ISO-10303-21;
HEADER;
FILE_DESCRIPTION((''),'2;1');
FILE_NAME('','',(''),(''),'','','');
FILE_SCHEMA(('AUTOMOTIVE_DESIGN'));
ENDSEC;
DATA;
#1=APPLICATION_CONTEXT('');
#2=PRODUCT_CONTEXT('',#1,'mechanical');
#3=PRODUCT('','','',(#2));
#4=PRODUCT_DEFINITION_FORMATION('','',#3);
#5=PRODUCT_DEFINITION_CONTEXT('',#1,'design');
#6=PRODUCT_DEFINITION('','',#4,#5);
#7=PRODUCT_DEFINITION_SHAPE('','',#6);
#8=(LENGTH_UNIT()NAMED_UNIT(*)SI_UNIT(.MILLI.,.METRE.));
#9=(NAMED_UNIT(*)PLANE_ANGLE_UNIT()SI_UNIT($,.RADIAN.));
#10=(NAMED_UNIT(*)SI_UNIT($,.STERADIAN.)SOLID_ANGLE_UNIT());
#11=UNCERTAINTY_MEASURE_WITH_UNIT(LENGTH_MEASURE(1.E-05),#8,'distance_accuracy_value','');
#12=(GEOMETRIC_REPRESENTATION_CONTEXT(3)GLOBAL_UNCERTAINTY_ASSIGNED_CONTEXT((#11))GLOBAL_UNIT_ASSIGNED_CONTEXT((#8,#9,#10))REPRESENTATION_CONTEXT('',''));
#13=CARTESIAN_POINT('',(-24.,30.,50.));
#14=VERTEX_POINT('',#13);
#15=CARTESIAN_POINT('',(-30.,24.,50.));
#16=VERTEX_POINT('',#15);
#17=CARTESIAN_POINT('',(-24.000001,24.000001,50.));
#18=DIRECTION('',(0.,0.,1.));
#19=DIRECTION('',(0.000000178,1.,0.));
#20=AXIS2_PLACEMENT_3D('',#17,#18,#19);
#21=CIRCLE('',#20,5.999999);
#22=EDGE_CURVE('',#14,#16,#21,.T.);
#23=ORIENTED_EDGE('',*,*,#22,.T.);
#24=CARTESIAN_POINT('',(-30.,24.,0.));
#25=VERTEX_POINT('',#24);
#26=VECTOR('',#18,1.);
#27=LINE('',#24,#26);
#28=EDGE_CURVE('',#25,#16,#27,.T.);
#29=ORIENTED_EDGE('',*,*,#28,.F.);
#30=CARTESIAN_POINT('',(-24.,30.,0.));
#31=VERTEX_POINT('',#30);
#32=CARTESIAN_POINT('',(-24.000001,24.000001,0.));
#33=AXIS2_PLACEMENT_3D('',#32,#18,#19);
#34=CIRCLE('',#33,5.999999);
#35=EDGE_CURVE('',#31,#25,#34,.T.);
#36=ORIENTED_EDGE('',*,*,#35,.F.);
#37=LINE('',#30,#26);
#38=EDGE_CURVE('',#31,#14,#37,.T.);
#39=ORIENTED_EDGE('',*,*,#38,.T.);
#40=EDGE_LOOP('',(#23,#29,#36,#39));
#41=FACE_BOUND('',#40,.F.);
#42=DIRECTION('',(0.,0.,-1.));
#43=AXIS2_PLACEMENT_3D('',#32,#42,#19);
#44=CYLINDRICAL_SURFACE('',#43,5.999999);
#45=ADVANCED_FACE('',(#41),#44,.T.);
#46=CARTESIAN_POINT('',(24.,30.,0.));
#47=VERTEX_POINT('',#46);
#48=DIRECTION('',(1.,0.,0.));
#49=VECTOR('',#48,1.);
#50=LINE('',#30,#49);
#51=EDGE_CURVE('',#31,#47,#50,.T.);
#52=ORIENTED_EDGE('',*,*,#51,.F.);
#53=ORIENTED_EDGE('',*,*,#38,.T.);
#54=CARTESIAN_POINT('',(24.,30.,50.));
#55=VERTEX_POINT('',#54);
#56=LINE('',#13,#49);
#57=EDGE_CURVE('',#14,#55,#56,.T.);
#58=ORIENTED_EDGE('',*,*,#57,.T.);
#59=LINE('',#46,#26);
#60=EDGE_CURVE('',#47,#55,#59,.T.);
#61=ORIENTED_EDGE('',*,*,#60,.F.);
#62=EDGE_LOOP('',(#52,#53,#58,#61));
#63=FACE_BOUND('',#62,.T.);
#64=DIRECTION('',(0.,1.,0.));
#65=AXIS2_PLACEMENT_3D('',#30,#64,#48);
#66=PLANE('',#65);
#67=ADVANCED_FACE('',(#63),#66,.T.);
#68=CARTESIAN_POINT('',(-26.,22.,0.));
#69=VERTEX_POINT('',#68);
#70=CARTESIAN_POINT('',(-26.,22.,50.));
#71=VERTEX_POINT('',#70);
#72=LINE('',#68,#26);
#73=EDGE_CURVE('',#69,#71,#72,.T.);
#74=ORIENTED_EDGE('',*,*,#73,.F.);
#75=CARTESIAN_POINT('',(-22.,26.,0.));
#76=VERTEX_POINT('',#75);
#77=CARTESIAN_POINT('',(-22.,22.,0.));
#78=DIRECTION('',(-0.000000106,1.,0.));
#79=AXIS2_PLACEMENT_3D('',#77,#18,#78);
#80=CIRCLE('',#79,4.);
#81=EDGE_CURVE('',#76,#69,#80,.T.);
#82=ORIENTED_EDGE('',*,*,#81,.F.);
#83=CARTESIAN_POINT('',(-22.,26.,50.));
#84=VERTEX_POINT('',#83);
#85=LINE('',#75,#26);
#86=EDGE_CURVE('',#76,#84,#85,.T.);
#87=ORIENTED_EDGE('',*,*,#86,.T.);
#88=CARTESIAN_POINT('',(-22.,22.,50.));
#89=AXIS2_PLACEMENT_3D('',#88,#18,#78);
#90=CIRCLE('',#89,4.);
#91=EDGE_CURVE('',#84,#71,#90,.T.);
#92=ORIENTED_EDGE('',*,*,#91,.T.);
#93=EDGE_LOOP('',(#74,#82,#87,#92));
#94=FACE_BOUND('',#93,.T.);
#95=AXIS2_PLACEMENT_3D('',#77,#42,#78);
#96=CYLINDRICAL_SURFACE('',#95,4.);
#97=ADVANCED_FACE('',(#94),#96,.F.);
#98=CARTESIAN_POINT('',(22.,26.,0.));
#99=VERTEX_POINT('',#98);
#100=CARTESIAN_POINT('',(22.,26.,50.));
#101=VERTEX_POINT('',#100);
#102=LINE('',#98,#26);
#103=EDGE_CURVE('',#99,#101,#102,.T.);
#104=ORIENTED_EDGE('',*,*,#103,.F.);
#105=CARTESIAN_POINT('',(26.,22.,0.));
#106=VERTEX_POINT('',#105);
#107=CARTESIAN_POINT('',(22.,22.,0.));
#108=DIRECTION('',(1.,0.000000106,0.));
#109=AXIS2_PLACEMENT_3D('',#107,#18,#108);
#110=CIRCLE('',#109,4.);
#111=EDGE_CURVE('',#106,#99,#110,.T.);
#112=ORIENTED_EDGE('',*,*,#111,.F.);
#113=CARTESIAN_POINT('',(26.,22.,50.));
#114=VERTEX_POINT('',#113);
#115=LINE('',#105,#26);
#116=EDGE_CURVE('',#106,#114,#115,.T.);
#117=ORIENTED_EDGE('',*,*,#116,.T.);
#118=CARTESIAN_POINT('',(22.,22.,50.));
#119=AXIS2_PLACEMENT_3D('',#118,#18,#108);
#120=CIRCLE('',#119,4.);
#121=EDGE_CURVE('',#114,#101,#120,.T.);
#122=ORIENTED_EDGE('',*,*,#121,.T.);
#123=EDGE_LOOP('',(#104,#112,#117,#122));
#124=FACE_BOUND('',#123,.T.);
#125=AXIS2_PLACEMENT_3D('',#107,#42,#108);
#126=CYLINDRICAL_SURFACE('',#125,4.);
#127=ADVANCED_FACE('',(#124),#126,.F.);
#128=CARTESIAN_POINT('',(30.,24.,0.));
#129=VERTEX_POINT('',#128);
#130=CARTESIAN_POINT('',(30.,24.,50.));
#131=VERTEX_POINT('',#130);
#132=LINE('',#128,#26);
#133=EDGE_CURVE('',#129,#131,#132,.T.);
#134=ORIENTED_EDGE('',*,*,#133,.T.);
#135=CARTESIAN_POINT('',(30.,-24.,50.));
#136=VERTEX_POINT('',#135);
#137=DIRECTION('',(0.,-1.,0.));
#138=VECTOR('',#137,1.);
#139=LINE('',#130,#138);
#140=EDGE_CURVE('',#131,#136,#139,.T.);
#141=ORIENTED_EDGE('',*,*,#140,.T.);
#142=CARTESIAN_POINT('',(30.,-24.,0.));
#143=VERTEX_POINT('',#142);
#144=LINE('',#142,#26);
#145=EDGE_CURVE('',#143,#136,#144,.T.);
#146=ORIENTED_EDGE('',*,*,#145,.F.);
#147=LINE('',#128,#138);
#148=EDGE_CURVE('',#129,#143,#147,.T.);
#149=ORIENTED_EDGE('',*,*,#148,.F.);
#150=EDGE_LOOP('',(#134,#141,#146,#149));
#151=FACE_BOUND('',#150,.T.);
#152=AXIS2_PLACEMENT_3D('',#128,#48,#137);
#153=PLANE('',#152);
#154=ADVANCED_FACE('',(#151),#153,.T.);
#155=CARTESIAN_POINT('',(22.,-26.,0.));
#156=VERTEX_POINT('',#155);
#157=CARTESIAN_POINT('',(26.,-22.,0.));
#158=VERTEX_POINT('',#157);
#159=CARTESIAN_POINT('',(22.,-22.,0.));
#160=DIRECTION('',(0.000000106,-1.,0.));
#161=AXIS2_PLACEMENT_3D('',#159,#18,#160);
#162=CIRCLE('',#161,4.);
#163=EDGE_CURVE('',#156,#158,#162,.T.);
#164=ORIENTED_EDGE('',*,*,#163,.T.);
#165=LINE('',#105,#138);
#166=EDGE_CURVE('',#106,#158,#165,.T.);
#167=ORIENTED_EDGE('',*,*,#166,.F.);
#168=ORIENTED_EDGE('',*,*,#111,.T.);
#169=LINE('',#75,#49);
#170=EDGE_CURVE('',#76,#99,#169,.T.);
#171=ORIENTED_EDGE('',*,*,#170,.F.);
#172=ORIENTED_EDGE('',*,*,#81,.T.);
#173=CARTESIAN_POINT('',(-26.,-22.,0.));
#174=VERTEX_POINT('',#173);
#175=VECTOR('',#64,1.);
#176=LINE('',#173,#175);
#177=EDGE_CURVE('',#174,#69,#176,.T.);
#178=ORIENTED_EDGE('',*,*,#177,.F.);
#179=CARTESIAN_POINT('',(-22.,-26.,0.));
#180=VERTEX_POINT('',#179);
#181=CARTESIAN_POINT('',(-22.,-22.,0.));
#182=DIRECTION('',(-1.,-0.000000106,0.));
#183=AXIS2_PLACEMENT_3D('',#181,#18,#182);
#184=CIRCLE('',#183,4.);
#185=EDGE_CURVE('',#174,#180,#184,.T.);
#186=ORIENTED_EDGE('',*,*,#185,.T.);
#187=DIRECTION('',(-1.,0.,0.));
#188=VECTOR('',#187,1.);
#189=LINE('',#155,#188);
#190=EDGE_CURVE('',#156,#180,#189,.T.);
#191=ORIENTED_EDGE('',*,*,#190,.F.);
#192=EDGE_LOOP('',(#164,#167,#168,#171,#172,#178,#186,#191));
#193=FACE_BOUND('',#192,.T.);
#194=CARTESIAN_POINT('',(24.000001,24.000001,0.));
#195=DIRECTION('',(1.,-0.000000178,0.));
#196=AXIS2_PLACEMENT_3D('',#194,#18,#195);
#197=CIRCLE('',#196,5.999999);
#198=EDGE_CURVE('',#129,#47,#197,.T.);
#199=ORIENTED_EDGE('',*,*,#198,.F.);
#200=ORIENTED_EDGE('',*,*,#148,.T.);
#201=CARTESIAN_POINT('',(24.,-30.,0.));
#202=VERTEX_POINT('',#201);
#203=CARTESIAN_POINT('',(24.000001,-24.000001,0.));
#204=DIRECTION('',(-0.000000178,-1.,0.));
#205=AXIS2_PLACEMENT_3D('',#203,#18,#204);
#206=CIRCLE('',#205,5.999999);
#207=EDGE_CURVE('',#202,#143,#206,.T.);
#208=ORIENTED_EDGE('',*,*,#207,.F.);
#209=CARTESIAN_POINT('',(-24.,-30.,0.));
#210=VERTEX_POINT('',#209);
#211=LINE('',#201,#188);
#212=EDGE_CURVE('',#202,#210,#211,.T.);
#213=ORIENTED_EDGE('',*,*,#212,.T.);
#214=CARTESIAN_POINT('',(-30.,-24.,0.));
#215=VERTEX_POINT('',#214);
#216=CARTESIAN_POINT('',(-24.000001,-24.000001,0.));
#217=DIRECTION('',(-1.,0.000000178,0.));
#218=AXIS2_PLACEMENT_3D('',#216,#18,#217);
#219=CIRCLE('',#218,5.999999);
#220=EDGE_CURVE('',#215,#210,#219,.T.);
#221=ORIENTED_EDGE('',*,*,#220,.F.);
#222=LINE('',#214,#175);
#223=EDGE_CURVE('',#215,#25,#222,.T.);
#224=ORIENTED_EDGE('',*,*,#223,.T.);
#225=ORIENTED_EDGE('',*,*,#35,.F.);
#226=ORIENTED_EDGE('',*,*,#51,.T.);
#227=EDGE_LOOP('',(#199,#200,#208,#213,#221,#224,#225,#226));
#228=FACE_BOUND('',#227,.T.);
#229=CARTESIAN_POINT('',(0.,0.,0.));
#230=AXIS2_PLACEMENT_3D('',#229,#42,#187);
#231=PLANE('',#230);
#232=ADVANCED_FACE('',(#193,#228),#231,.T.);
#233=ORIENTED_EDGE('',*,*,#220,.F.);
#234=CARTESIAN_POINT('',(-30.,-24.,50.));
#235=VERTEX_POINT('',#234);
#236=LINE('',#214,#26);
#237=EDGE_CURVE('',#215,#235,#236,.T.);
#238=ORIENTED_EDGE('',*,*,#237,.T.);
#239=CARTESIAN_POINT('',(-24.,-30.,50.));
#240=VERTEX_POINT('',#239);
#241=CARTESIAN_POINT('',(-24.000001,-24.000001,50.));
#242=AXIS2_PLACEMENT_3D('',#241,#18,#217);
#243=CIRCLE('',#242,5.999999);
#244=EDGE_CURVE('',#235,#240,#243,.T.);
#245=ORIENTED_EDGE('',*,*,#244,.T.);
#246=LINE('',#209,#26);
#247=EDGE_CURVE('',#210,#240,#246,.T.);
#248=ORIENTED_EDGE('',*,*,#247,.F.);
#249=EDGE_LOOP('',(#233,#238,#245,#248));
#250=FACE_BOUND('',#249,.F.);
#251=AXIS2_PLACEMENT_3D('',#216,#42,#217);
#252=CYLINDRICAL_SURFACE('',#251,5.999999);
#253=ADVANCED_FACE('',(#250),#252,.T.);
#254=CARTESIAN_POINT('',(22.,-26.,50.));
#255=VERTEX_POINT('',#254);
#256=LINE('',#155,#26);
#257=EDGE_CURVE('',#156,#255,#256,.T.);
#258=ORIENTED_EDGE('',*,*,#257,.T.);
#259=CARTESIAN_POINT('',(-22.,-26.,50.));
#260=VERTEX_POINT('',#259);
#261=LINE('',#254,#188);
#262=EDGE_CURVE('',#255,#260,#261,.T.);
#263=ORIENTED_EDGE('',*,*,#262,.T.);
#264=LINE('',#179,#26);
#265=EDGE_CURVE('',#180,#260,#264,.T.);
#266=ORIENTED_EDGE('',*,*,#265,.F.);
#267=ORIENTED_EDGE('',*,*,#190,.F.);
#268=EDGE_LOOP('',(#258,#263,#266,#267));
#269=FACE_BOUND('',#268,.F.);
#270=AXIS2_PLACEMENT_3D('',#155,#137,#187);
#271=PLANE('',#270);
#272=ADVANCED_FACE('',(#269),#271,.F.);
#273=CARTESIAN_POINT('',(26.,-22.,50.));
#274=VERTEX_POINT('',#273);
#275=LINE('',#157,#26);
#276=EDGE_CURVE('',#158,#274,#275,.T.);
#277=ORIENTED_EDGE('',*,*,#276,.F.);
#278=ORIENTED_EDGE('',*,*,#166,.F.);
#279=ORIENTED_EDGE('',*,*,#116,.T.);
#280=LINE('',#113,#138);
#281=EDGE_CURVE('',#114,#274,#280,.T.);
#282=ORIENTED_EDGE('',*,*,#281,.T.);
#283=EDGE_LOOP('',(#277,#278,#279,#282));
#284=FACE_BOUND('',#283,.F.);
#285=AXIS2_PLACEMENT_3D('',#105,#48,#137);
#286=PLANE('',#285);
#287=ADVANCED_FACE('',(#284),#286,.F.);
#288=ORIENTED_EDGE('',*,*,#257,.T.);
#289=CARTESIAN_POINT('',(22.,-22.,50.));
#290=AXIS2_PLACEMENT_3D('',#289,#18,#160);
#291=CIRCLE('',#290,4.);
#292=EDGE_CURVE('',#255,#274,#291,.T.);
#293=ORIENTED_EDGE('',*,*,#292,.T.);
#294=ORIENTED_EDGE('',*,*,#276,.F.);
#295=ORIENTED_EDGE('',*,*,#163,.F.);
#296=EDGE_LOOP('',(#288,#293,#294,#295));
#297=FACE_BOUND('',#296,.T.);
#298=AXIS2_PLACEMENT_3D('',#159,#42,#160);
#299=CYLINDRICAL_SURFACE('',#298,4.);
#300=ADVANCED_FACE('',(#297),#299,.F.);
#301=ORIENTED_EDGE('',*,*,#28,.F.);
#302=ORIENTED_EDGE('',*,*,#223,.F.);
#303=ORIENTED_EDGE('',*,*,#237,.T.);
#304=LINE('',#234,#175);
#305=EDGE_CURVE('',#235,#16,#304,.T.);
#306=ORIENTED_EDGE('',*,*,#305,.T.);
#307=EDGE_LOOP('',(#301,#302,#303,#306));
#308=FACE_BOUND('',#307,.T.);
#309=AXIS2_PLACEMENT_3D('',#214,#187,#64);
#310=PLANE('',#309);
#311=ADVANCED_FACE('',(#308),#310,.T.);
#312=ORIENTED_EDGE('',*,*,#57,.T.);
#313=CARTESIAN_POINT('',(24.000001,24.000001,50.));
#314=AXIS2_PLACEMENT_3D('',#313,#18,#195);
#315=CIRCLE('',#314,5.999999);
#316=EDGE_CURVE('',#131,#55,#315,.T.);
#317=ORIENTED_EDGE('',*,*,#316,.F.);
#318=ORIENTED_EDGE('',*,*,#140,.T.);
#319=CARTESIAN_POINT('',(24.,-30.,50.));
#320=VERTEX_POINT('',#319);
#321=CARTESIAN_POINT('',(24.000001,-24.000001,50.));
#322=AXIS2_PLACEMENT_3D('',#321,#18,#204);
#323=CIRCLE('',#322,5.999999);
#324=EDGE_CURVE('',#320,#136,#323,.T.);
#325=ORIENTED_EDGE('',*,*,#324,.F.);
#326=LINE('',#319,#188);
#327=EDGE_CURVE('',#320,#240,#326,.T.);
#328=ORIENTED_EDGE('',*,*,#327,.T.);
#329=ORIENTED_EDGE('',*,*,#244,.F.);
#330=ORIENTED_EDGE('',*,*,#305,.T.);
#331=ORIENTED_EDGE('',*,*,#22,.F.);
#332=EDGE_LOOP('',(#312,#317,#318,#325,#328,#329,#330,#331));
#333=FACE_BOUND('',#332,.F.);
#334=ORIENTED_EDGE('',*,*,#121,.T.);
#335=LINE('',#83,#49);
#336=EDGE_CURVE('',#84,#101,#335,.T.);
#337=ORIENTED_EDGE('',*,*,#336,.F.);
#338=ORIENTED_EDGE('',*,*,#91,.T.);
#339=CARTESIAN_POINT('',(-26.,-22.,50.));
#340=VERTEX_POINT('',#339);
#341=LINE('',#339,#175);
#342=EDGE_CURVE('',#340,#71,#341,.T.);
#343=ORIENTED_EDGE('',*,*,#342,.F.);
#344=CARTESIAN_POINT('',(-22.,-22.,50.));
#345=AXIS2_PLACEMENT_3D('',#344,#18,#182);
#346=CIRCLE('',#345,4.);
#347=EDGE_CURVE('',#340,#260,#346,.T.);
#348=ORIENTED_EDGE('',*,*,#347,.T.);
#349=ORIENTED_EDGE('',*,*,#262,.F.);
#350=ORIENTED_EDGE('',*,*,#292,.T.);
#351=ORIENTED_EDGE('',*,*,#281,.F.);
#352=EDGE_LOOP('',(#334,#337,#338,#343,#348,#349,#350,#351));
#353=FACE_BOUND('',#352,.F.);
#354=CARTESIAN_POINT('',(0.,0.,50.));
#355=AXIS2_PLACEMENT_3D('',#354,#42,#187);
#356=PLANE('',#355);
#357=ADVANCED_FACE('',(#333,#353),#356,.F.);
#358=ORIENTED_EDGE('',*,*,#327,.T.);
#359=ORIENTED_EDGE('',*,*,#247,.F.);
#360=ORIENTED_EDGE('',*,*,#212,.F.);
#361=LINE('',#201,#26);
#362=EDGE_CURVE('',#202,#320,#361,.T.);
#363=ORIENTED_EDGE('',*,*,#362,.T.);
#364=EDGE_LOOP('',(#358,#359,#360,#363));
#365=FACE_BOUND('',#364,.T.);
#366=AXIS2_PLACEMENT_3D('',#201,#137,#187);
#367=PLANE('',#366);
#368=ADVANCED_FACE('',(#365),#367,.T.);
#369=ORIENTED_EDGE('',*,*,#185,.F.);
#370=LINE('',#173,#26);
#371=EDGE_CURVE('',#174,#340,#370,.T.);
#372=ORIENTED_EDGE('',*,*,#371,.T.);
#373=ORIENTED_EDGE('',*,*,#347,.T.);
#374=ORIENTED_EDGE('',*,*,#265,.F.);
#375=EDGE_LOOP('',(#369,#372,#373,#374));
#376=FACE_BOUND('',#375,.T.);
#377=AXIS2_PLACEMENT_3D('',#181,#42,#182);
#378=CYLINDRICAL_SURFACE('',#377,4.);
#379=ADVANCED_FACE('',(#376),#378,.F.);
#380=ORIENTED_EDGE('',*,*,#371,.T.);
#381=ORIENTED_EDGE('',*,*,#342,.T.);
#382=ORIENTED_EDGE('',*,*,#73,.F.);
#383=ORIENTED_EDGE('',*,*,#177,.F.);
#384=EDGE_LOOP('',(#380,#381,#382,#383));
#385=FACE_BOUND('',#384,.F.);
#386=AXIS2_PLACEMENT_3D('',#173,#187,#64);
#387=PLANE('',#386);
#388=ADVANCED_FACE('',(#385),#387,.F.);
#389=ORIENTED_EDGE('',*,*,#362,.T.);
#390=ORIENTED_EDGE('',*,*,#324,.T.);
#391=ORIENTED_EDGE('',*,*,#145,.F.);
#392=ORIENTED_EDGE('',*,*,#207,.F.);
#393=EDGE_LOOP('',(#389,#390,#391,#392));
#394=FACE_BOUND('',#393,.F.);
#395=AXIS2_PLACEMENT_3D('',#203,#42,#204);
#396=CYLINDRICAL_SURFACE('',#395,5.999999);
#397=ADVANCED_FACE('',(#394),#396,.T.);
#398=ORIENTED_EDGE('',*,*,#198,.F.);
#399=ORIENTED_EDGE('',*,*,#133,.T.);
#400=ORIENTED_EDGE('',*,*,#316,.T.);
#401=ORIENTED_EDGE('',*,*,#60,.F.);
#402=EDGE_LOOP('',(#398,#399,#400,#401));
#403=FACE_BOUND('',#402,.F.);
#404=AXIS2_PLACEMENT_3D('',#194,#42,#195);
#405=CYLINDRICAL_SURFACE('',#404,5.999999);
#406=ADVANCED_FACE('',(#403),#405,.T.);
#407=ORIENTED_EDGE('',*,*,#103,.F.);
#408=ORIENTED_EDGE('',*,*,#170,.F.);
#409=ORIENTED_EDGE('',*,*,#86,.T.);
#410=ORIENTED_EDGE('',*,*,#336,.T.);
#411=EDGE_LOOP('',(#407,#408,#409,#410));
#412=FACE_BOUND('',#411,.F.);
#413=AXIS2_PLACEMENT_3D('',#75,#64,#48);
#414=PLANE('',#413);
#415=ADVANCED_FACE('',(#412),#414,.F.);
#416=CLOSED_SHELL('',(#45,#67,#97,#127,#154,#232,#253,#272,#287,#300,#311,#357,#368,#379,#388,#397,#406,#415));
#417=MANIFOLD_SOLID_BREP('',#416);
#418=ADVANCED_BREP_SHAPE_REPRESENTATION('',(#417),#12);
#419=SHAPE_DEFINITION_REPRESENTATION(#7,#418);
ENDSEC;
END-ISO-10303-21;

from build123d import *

# Parameters (mm, degrees)
EXTRUDE_DEPTH = 50


with BuildPart() as part:
    # Sketch → Extrude (new body)
    with BuildSketch(Plane.XY):
        with BuildLine():
            Line((-24, 30), (24, 30))
            ThreePointArc((30, 24), (28.242641, 28.242641), (24, 30))
            Line((30, 24), (30, -24))
            ThreePointArc((24, -30), (28.242641, -28.242641), (30, -24))
            Line((24, -30), (-24, -30))
            ThreePointArc((-30, -24), (-28.242641, -28.242641), (-24, -30))
            Line((-30, -24), (-30, 24))
            ThreePointArc((-24, 30), (-28.242641, 28.242641), (-30, 24))
        make_face()
        with BuildLine():
            Line((-22, 26), (22, 26))
            ThreePointArc((26, 22), (24.828427, 24.828427), (22, 26))
            Line((26, 22), (26, -22))
            ThreePointArc((22, -26), (24.828427, -24.828427), (26, -22))
            Line((22, -26), (-22, -26))
            ThreePointArc((-26, -22), (-24.828427, -24.828427), (-22, -26))
            Line((-26, -22), (-26, 22))
            ThreePointArc((-22, 26), (-24.828427, 24.828427), (-26, 22))
        make_face(mode=Mode.SUBTRACT)
    extrude(amount=EXTRUDE_DEPTH)


solid = part.part
